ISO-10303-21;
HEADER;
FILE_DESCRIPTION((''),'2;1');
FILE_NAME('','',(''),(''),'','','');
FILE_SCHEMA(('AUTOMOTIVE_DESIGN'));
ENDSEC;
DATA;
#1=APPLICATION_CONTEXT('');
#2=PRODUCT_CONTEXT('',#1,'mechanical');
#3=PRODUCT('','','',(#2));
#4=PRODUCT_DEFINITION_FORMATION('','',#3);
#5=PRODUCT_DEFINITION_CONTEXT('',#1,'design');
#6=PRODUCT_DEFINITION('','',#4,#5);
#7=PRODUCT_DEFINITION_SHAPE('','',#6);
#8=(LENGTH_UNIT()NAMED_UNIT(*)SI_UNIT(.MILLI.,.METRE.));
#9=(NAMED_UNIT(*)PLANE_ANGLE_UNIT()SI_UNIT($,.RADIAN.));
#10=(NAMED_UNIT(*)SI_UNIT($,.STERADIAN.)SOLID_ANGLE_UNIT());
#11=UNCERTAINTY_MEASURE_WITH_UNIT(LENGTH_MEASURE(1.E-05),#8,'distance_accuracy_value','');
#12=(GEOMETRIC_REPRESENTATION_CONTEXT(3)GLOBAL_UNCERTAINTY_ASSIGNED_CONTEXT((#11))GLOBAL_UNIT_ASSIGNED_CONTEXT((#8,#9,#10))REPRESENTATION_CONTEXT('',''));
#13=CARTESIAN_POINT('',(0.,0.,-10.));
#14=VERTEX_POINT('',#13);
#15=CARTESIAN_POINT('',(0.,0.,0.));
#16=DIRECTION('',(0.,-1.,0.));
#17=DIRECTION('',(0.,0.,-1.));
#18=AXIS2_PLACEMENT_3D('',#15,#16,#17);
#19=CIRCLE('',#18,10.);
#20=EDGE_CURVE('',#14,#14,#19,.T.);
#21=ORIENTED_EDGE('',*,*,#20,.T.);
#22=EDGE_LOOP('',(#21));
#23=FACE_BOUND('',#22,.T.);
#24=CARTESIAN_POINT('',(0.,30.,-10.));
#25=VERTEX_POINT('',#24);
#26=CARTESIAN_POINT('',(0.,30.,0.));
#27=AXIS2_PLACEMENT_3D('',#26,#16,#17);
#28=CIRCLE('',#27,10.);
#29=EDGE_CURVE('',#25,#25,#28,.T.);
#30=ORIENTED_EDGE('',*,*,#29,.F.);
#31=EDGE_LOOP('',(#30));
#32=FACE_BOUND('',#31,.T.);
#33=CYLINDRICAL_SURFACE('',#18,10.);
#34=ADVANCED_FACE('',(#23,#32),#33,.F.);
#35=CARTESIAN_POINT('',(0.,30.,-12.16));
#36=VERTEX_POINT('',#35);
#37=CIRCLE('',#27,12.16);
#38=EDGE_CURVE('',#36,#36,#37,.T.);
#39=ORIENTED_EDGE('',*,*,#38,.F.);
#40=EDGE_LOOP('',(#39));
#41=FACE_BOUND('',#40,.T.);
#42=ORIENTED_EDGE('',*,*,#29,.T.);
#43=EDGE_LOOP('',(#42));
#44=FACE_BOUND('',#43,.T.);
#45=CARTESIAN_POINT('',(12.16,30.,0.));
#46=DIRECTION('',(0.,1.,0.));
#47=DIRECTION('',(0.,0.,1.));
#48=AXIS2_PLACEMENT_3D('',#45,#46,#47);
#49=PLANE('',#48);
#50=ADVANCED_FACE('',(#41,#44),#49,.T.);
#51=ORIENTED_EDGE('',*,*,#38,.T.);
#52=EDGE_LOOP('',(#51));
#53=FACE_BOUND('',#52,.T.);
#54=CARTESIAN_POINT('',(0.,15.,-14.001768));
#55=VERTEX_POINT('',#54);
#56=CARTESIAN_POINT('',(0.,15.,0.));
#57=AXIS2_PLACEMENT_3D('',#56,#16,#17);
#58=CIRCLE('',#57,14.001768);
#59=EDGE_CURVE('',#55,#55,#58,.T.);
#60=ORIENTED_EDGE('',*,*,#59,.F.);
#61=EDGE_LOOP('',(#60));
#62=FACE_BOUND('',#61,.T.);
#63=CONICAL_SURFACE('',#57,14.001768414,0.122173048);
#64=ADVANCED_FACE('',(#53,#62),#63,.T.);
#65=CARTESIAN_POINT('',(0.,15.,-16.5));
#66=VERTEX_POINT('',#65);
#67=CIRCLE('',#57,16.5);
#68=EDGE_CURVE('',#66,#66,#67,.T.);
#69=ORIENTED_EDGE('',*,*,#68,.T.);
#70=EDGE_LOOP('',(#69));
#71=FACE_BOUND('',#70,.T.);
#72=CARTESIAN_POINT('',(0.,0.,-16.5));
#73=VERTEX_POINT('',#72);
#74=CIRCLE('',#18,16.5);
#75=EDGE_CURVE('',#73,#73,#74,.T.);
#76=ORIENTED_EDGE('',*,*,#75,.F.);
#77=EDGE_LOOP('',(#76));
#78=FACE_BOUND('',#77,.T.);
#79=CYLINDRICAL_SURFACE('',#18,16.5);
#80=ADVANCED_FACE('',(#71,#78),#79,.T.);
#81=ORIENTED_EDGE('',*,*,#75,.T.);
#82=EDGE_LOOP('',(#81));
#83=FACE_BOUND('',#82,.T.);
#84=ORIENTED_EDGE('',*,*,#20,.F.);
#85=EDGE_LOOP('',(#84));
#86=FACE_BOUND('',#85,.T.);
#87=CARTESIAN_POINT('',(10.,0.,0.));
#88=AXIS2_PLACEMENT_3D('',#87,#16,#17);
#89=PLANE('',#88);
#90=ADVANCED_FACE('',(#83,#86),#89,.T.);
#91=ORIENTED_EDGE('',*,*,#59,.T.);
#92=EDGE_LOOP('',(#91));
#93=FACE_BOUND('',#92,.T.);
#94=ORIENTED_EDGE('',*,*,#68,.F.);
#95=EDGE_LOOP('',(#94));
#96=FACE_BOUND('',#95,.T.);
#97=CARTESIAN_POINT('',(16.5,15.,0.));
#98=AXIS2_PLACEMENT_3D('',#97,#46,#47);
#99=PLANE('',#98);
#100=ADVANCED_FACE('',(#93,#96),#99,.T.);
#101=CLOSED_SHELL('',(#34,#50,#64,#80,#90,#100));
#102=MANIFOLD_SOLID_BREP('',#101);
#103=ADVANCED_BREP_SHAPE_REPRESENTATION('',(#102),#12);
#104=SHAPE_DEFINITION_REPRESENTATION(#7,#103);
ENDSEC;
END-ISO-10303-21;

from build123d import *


with BuildPart() as part:
    # Sketch1 → Revolve1 (revolve)
    with BuildSketch(Plane.XY, mode=Mode.PRIVATE) as revolve1_sk:
        Polygon((10, 0), (10, 30), (12.16, 30), (14.001768414, 15), (16.5, 15), (16.5, 0), align=None)
    revolve(revolve1_sk.sketch.rotate(Axis((0, 0, 0), (0, 1, 0)), 90), axis=Axis((0, 0, 0), (0, 1, 0)))


solid = part.part
